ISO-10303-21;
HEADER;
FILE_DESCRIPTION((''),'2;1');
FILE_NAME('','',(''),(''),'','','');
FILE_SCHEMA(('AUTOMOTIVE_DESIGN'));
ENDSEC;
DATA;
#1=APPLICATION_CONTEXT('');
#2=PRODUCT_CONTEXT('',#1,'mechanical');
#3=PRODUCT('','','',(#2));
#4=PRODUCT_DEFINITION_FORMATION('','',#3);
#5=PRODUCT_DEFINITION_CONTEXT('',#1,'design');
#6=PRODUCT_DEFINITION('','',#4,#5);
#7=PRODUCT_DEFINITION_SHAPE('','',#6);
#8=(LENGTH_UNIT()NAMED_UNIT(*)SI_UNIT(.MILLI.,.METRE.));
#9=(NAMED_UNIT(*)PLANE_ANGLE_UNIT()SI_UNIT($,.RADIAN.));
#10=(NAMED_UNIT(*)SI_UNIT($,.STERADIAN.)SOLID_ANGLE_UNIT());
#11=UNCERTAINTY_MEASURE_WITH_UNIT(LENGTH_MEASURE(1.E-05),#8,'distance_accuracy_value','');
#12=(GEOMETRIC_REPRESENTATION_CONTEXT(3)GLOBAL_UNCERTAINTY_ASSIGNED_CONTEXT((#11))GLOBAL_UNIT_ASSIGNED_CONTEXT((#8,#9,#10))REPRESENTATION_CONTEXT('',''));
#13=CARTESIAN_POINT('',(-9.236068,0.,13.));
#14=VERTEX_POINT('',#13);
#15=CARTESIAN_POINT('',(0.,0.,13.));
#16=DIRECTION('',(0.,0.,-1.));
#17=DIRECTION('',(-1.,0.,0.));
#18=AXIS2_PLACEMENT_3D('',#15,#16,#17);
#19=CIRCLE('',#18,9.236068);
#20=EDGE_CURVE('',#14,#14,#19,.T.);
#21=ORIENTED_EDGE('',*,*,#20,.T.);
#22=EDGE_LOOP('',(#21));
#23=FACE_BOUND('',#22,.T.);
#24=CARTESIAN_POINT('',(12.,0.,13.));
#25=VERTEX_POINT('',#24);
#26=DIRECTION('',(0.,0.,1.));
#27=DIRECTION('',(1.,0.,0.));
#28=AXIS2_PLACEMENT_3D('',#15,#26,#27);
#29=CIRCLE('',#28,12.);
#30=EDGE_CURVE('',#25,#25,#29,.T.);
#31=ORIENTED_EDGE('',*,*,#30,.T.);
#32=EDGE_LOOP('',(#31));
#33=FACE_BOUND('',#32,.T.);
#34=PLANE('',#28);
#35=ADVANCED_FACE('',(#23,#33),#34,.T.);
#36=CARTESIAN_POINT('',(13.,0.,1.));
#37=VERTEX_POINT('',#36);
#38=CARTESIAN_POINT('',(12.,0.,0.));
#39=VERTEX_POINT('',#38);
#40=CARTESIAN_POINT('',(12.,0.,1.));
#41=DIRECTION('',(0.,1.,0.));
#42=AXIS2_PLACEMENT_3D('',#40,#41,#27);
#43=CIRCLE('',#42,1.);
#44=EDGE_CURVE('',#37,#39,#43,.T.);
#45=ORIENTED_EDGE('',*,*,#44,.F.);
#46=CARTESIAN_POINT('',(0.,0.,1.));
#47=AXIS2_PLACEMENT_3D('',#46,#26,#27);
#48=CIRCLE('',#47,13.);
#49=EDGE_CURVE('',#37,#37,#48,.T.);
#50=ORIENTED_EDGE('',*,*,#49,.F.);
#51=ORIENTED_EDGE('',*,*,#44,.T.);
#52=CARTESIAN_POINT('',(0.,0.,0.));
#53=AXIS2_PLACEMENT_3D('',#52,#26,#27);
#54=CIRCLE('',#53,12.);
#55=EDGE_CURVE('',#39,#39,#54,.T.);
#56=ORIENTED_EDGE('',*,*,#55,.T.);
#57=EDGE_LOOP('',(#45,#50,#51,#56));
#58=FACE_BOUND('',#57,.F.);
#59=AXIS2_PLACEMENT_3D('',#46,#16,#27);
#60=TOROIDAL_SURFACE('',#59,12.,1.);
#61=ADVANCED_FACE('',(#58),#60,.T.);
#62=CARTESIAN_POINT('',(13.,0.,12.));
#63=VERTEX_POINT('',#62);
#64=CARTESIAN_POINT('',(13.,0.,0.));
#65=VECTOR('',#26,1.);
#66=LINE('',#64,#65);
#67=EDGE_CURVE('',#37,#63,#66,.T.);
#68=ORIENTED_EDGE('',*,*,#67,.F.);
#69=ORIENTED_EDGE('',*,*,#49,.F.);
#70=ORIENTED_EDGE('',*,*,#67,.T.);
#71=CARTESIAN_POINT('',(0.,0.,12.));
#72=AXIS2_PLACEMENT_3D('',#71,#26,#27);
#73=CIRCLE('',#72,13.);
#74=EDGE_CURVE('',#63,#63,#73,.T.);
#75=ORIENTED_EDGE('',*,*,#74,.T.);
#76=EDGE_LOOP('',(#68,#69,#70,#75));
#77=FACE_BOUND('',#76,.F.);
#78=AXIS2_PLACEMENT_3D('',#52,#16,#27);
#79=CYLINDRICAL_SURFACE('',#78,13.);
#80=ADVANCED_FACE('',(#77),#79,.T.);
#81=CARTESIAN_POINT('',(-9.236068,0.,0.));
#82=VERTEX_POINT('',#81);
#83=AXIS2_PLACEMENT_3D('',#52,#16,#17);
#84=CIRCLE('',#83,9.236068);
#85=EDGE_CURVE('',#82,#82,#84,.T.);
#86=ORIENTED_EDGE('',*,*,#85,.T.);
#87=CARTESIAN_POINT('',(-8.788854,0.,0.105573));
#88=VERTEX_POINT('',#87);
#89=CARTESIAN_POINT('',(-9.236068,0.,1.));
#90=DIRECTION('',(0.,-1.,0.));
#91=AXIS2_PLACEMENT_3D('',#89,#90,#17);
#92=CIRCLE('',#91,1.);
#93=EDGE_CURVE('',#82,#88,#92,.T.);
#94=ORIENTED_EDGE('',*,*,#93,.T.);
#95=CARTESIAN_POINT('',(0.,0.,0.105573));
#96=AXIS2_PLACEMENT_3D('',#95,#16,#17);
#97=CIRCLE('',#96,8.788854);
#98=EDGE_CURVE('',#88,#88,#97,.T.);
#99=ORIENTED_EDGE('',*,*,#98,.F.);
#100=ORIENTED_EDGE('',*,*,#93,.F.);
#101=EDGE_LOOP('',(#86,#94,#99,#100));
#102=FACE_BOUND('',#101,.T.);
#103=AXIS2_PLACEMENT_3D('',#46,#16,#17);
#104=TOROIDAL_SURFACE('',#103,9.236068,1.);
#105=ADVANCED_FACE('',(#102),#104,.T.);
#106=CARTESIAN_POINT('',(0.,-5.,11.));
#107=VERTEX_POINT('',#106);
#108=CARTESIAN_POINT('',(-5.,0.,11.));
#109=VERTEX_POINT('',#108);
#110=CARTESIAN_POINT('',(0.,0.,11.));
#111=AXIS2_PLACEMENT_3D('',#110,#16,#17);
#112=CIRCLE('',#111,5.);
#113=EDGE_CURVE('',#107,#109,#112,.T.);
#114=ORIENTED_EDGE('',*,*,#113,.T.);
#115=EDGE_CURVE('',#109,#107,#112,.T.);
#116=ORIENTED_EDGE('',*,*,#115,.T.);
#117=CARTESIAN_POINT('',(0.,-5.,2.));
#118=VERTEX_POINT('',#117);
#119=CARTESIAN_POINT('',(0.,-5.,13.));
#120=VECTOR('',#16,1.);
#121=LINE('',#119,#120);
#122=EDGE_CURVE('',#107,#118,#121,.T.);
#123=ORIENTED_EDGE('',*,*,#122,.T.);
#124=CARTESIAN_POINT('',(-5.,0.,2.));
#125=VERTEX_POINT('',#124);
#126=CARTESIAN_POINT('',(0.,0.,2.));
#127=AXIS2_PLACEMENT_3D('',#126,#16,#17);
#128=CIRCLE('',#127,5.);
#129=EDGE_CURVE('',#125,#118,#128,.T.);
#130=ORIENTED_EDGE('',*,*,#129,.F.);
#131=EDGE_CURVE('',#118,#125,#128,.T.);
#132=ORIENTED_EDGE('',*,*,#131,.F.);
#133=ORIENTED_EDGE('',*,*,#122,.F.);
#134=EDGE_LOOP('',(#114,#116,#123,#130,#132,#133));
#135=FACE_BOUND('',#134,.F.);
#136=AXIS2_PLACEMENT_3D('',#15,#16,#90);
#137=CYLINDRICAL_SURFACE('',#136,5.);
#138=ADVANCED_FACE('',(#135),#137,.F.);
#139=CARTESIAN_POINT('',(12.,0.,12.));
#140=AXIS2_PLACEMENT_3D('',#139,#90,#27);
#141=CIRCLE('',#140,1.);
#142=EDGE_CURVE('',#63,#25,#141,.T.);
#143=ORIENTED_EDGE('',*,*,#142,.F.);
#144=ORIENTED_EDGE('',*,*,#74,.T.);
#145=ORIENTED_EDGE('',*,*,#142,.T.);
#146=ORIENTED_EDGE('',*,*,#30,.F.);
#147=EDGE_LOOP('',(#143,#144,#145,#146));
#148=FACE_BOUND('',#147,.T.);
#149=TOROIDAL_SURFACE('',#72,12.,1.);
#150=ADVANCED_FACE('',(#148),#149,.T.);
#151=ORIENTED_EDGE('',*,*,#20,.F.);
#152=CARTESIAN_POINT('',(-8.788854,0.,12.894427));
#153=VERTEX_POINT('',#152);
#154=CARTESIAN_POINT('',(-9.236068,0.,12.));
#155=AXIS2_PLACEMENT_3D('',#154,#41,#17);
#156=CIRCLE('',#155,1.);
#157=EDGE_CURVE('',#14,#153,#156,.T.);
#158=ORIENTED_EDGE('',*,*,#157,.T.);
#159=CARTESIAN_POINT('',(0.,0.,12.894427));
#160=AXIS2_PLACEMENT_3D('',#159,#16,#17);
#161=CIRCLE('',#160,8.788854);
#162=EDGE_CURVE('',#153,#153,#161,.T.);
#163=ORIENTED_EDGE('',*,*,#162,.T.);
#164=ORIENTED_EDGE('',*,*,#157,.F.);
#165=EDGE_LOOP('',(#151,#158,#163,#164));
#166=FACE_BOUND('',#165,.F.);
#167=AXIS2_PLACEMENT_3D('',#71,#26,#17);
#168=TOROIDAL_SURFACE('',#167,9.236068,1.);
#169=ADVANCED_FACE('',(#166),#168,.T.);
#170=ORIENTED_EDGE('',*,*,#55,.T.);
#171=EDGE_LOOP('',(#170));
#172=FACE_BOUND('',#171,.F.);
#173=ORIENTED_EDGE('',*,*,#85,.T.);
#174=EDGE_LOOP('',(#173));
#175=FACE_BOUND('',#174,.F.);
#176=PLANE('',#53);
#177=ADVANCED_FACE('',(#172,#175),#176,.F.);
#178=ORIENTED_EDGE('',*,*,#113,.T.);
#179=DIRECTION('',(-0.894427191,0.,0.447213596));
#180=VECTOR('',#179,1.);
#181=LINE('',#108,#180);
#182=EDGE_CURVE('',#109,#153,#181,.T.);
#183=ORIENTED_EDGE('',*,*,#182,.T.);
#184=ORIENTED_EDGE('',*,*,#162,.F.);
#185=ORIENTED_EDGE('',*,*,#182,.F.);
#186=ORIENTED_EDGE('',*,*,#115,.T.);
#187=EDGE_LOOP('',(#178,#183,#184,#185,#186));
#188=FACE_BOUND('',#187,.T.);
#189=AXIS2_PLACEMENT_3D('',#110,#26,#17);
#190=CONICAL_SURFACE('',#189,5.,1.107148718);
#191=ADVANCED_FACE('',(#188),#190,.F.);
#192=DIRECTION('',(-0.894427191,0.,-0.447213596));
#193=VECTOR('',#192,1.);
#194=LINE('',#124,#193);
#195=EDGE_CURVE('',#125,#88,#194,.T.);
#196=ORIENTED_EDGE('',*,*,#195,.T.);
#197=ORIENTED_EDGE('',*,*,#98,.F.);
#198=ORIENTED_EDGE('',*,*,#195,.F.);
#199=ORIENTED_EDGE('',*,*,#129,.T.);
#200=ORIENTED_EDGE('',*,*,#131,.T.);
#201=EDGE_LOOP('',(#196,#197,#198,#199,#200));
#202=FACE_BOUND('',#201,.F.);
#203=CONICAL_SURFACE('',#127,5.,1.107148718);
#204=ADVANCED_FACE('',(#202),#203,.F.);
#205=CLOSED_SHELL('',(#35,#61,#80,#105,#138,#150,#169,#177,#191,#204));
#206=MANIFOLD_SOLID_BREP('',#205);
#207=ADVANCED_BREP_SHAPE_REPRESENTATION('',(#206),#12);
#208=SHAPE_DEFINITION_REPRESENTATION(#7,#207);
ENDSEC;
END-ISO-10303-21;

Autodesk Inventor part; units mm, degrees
ref_plane "YZ Plane" through (0, 0, 0) normal (1, 0, 0) x (0, 1, 0)
ref_plane "XZ Plane" through (0, 0, 0) normal (0, 1, 0) x (-1, 0, 0)
sketch "Sketch1" plane through (0, 0, 0) normal (0, 0, 1) x (1, 0, 0)
  circle A0 centre (0, 0) radius 13
  dimension "d0" = 26
extrude "Extrusion1" add sketch "Sketch1" along normal blind 13
sketch "Sketch2" plane through (0, 0, 13) normal (0, 0, 1) x (1, 0, 0)
  circle A0 centre (0, 0) radius 13 projected
hole "Hole1" at (0, 0, 13) direction (0, 0, -1) diameter 10 end through all
sketch "Sketch3" plane through (0, 0, 0) normal (0, 1, 0) x (-1, 0, 0)
  line L0 (0, 13) -> (0, 0)
  line L1 (-5, 13) -> (5, 13) projected
  line L2 (13, 13) -> (-13, 13) projected
  line L3 (5, 0) -> (5, 13) projected
  line L4 (5, 11) -> (9, 13)
  line L5 (9, 13) -> (5, 13)
  line L6 (5, 13) -> (5, 11)
  dimension "d10" = 2
  dimension "d11" = 4
revolve "Revolution1" cut sketch "Sketch3" angle 360 about axis through (0, 0, 13) along (0, 0, -1)
ref_plane "Work Plane1" through (0, 0, 6.5) normal (0, 0, 1) x (1, 0, 0)
mirror "Mirror1" about plane through (0, 0, 6.5) normal (0, 0, 1) of "Revolution1"
fillet "Fillet1" radius 1 4 edges at (-13, 0, 0) (9, 0, 0) (-13, 0, 13) (9, 0, 13)
properties part number "Wheel"
